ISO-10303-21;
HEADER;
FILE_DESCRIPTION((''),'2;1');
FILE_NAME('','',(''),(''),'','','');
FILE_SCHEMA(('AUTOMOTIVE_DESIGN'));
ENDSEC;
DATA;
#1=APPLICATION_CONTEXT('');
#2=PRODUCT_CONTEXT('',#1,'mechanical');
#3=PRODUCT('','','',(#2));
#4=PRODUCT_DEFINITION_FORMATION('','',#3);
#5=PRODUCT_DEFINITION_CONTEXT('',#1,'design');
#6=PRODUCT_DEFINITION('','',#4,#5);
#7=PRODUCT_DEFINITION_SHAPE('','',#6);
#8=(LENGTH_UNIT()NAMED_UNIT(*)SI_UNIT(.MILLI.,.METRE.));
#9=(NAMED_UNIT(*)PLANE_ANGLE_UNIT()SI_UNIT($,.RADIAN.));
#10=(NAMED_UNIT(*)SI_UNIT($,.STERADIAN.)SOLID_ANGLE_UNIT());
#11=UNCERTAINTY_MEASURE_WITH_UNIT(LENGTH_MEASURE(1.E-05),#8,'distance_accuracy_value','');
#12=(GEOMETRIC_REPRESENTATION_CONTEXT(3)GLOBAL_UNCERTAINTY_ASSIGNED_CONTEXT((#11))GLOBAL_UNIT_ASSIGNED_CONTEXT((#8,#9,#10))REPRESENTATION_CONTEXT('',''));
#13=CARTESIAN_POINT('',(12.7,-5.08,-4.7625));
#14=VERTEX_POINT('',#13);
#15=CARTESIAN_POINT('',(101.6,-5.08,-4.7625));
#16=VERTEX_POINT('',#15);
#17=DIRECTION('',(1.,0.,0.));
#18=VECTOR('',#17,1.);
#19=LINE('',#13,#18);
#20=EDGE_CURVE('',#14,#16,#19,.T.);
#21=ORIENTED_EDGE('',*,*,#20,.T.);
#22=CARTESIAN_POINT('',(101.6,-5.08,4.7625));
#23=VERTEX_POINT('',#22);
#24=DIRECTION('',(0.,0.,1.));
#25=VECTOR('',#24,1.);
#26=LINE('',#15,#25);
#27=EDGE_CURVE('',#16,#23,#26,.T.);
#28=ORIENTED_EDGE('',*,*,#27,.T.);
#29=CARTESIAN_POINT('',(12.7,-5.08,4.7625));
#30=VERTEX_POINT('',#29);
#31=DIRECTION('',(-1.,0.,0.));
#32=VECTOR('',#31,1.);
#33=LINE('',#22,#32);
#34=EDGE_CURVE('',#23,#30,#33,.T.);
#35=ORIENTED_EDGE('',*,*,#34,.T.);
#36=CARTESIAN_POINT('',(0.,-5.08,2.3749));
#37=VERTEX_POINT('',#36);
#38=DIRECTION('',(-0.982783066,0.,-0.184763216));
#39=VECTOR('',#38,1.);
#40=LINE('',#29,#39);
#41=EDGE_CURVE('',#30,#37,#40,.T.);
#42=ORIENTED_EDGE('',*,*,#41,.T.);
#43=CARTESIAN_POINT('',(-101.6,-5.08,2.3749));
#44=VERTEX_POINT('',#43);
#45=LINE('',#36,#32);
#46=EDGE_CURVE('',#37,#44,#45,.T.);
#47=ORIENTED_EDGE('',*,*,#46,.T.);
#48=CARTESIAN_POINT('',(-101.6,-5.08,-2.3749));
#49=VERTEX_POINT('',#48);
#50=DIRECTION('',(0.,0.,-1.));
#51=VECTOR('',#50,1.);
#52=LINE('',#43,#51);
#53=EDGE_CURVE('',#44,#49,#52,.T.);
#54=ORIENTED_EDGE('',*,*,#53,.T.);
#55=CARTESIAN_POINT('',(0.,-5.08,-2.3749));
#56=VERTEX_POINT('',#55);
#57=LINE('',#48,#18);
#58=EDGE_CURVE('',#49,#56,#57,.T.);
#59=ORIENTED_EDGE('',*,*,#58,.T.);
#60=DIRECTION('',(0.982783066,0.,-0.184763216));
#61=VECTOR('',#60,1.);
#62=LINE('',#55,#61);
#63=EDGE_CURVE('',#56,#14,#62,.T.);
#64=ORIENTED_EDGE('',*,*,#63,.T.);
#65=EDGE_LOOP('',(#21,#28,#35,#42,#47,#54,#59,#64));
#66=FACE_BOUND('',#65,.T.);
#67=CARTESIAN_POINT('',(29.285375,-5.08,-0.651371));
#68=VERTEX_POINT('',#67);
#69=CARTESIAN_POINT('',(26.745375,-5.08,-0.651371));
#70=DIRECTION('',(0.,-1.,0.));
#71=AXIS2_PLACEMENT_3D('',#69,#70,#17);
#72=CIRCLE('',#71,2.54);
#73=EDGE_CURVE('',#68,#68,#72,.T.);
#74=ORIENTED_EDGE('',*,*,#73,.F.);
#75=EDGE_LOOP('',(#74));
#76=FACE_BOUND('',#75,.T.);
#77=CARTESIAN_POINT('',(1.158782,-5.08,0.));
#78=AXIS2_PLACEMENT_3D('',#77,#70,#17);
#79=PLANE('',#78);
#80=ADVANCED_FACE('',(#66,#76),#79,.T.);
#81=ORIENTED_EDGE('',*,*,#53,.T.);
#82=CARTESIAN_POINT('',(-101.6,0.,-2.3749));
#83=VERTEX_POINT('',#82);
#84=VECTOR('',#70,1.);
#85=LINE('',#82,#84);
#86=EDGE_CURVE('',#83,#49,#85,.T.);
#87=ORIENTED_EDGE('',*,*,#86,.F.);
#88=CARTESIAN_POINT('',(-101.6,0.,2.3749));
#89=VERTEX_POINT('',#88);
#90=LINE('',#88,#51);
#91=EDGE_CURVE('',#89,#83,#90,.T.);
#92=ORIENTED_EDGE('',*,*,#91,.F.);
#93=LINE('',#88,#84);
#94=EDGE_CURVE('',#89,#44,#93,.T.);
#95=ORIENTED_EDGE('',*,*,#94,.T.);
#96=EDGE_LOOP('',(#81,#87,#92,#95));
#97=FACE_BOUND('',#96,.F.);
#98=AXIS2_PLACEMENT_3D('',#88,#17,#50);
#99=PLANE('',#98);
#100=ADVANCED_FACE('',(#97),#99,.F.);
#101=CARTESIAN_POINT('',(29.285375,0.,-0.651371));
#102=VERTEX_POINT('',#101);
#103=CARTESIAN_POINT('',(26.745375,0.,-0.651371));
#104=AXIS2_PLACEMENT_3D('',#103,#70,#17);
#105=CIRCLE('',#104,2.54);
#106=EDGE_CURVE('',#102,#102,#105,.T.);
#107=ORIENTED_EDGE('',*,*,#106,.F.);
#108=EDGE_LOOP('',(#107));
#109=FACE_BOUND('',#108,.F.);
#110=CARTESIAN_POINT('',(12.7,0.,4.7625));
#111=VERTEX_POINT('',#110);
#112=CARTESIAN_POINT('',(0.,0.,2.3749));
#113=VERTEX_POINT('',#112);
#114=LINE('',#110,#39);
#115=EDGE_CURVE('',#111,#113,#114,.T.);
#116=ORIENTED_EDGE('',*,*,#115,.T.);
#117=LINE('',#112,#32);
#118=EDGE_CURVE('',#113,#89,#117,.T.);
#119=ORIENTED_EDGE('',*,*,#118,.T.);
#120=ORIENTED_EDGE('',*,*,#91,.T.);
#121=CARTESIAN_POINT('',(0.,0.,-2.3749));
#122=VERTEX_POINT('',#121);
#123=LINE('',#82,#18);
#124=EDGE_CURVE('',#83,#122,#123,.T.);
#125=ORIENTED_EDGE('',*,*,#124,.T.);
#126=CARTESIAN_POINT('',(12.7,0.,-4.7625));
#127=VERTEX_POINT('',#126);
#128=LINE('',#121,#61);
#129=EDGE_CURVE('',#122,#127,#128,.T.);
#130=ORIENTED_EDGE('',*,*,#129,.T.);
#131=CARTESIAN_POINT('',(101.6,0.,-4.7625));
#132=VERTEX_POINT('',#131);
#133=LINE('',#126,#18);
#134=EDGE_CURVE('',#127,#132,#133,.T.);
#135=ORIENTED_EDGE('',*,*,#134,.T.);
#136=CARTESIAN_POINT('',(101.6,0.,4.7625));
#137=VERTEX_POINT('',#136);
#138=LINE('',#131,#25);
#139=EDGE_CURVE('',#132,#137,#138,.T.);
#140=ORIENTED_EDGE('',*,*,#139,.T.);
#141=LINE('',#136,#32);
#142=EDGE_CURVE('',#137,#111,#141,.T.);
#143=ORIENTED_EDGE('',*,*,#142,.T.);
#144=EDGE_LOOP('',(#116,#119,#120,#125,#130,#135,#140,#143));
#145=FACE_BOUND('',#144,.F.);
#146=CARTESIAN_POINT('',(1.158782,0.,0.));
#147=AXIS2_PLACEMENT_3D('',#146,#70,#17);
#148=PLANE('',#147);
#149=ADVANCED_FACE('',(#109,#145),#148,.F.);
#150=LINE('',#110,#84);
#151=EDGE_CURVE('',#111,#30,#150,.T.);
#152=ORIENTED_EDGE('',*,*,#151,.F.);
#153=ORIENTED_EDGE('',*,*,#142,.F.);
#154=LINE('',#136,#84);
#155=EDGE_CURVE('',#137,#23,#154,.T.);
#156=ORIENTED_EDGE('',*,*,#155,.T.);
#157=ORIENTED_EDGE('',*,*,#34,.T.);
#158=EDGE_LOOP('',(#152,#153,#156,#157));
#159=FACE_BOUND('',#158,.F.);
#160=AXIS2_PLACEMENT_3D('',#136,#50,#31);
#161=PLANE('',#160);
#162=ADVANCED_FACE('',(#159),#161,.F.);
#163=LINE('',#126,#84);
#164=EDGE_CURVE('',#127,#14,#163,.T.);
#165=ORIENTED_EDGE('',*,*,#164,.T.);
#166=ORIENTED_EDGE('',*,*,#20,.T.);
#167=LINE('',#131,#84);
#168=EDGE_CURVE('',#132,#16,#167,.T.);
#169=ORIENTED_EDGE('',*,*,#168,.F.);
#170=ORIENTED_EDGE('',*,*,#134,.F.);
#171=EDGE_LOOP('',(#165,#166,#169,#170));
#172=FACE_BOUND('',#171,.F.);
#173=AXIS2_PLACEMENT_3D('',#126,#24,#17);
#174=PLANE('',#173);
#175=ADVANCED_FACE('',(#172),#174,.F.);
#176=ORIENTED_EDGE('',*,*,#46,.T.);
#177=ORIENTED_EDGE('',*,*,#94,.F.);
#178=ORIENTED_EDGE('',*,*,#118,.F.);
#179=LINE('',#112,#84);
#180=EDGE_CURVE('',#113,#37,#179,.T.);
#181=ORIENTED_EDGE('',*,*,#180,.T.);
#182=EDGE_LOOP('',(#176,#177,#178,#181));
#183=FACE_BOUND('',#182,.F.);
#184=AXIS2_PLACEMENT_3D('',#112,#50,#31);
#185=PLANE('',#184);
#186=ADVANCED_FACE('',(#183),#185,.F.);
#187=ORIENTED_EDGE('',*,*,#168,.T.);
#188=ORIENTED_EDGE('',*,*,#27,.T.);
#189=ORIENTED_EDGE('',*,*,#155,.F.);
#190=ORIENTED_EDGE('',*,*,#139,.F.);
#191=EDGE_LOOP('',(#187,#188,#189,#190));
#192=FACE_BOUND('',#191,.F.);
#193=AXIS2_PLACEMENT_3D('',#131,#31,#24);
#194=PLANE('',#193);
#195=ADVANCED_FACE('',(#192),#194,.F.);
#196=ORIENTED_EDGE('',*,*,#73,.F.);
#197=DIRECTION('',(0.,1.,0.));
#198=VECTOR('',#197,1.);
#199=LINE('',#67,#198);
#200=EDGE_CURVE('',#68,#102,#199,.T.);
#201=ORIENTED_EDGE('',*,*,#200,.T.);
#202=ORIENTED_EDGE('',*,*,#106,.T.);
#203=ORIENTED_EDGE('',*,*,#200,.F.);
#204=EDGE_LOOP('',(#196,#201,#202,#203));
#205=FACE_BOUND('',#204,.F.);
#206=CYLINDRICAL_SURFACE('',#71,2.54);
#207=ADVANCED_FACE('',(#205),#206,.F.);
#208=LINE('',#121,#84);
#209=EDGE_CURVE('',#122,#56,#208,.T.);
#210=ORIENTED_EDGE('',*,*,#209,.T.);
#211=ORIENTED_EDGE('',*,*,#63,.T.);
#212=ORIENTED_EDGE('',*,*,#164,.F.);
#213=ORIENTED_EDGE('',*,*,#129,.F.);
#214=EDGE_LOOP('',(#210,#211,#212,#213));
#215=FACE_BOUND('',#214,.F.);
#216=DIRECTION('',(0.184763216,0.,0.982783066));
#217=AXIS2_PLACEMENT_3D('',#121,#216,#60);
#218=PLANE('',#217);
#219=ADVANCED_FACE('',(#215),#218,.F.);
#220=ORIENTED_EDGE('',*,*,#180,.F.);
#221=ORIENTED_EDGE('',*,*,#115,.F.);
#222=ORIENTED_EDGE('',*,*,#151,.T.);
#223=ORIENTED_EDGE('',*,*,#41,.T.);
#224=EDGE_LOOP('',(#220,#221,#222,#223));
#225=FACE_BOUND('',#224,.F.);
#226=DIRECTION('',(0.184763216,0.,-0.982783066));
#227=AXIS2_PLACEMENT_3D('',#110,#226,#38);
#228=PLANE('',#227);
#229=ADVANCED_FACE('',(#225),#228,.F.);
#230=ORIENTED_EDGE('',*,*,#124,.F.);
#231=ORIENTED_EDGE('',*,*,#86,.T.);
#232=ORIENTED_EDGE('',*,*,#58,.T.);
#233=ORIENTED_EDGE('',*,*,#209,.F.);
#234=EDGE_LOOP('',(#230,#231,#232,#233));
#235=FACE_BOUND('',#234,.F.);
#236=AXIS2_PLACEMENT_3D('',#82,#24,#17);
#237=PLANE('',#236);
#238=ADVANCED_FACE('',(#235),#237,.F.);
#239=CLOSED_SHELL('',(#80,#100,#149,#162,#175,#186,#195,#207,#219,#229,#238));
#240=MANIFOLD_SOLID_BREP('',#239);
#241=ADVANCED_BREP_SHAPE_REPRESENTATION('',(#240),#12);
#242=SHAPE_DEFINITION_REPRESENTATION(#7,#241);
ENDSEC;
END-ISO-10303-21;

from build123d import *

# Parameters (mm, degrees)
F1_DEPTH = 5.08
F2_R     = 2.54
F3_DEPTH = 25.4


with BuildPart() as f1:
    # F0 (on Front) → F1 (new body)
    with BuildSketch(Plane.XZ):
        Polygon((101.6, 0), (101.6, 4.7625), (12.7, 4.7625), (0, 2.3749), (-101.6, 2.3749), (-101.6, 0), (-101.6, -2.3749), (0, -2.3749), (12.7, -4.7625), (101.6, -4.7625), align=None)
    extrude(amount=F1_DEPTH)

    # F2 (on face) → F3 (cut)
    with BuildSketch(Plane.XZ.offset(5.08)):
        with Locations((26.745375, -0.651371)):
            Circle(F2_R)
    extrude(amount=-F3_DEPTH, mode=Mode.SUBTRACT)


solid = f1.part
